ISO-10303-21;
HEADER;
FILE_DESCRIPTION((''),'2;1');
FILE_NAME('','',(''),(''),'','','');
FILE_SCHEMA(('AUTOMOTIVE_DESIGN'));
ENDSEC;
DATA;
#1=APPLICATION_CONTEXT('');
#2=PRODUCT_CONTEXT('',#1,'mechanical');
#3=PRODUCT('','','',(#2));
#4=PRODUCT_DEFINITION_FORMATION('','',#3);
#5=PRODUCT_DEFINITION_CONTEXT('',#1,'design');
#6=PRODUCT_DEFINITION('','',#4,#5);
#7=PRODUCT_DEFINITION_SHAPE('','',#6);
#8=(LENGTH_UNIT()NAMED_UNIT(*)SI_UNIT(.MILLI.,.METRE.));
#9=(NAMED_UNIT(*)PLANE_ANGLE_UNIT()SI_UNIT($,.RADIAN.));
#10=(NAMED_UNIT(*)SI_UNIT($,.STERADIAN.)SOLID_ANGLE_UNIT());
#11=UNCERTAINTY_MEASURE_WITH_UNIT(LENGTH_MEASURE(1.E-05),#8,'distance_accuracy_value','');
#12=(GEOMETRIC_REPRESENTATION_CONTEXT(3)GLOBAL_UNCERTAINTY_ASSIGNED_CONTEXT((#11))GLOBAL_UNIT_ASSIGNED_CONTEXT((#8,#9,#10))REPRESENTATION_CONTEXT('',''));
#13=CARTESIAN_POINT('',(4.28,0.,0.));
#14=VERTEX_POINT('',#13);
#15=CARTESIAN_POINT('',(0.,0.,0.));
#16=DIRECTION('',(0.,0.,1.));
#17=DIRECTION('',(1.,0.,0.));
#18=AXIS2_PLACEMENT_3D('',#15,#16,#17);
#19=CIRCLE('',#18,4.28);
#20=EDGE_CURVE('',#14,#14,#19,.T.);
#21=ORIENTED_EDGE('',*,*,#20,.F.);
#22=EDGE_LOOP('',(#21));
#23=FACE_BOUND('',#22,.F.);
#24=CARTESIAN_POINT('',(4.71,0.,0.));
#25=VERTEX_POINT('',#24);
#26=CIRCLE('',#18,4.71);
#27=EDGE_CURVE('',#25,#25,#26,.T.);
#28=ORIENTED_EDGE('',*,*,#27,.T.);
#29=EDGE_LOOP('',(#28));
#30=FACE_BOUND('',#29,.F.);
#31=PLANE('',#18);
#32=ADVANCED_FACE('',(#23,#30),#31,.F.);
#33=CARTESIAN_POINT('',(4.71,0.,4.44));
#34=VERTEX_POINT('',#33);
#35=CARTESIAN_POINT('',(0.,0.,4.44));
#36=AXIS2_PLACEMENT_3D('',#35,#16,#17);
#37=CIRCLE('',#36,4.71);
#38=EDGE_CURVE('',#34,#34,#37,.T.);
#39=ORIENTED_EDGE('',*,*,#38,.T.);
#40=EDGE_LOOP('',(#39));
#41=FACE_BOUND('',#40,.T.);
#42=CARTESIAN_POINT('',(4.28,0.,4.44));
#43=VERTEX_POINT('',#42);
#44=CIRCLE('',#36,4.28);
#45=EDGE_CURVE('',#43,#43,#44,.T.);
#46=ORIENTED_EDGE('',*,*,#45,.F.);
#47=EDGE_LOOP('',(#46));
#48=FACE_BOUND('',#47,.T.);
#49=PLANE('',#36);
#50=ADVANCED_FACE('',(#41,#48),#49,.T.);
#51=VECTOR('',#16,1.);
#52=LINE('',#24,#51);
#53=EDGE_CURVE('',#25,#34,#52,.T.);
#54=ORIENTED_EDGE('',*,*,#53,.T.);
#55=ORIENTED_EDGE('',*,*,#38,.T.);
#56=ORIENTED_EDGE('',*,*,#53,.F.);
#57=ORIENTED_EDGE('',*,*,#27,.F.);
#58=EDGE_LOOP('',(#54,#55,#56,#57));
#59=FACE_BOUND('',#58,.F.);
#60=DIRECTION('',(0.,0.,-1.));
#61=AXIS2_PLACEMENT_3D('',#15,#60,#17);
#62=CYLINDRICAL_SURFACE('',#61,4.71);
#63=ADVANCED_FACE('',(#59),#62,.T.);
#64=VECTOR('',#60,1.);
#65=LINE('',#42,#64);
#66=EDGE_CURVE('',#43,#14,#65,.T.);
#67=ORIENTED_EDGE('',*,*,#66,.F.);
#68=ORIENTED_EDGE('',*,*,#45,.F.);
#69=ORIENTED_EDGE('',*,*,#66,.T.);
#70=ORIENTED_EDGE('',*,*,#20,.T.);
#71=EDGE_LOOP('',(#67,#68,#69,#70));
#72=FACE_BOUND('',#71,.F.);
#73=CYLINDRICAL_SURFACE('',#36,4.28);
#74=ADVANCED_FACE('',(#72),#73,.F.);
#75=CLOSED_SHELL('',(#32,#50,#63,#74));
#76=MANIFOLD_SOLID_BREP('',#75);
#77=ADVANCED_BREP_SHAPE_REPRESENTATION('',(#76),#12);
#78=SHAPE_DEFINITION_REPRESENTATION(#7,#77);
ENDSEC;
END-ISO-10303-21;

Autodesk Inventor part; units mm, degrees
ref_plane "YZ Plane" through (0, 0, 0) normal (1, 0, 0) x (0, 1, 0)
ref_plane "XZ Plane" through (0, 0, 0) normal (0, 1, 0) x (-1, 0, 0)
ref_plane "XY Plane" through (0, 0, 0) normal (0, 0, 1) x (1, 0, 0)
sketch "Sketch1" plane through (0, 0, 0) normal (0, 0, 1) x (1, 0, 0)
  circle A0 centre (0, 0) radius 4.71
  dimension "d0" = 9.42
extrude "Extrusion1" add sketch "Sketch1" along normal blind 4.44
sketch "Sketch2" plane through (0, 0, 4.44) normal (0, 0, 1) x (1, 0, 0)
  circle A0 centre (0, 0) radius 4.28
  dimension "d3" = 8.56
extrude "Extrusion2" cut sketch "Sketch2" against normal through all
properties part number "BACKGROUND_2"
